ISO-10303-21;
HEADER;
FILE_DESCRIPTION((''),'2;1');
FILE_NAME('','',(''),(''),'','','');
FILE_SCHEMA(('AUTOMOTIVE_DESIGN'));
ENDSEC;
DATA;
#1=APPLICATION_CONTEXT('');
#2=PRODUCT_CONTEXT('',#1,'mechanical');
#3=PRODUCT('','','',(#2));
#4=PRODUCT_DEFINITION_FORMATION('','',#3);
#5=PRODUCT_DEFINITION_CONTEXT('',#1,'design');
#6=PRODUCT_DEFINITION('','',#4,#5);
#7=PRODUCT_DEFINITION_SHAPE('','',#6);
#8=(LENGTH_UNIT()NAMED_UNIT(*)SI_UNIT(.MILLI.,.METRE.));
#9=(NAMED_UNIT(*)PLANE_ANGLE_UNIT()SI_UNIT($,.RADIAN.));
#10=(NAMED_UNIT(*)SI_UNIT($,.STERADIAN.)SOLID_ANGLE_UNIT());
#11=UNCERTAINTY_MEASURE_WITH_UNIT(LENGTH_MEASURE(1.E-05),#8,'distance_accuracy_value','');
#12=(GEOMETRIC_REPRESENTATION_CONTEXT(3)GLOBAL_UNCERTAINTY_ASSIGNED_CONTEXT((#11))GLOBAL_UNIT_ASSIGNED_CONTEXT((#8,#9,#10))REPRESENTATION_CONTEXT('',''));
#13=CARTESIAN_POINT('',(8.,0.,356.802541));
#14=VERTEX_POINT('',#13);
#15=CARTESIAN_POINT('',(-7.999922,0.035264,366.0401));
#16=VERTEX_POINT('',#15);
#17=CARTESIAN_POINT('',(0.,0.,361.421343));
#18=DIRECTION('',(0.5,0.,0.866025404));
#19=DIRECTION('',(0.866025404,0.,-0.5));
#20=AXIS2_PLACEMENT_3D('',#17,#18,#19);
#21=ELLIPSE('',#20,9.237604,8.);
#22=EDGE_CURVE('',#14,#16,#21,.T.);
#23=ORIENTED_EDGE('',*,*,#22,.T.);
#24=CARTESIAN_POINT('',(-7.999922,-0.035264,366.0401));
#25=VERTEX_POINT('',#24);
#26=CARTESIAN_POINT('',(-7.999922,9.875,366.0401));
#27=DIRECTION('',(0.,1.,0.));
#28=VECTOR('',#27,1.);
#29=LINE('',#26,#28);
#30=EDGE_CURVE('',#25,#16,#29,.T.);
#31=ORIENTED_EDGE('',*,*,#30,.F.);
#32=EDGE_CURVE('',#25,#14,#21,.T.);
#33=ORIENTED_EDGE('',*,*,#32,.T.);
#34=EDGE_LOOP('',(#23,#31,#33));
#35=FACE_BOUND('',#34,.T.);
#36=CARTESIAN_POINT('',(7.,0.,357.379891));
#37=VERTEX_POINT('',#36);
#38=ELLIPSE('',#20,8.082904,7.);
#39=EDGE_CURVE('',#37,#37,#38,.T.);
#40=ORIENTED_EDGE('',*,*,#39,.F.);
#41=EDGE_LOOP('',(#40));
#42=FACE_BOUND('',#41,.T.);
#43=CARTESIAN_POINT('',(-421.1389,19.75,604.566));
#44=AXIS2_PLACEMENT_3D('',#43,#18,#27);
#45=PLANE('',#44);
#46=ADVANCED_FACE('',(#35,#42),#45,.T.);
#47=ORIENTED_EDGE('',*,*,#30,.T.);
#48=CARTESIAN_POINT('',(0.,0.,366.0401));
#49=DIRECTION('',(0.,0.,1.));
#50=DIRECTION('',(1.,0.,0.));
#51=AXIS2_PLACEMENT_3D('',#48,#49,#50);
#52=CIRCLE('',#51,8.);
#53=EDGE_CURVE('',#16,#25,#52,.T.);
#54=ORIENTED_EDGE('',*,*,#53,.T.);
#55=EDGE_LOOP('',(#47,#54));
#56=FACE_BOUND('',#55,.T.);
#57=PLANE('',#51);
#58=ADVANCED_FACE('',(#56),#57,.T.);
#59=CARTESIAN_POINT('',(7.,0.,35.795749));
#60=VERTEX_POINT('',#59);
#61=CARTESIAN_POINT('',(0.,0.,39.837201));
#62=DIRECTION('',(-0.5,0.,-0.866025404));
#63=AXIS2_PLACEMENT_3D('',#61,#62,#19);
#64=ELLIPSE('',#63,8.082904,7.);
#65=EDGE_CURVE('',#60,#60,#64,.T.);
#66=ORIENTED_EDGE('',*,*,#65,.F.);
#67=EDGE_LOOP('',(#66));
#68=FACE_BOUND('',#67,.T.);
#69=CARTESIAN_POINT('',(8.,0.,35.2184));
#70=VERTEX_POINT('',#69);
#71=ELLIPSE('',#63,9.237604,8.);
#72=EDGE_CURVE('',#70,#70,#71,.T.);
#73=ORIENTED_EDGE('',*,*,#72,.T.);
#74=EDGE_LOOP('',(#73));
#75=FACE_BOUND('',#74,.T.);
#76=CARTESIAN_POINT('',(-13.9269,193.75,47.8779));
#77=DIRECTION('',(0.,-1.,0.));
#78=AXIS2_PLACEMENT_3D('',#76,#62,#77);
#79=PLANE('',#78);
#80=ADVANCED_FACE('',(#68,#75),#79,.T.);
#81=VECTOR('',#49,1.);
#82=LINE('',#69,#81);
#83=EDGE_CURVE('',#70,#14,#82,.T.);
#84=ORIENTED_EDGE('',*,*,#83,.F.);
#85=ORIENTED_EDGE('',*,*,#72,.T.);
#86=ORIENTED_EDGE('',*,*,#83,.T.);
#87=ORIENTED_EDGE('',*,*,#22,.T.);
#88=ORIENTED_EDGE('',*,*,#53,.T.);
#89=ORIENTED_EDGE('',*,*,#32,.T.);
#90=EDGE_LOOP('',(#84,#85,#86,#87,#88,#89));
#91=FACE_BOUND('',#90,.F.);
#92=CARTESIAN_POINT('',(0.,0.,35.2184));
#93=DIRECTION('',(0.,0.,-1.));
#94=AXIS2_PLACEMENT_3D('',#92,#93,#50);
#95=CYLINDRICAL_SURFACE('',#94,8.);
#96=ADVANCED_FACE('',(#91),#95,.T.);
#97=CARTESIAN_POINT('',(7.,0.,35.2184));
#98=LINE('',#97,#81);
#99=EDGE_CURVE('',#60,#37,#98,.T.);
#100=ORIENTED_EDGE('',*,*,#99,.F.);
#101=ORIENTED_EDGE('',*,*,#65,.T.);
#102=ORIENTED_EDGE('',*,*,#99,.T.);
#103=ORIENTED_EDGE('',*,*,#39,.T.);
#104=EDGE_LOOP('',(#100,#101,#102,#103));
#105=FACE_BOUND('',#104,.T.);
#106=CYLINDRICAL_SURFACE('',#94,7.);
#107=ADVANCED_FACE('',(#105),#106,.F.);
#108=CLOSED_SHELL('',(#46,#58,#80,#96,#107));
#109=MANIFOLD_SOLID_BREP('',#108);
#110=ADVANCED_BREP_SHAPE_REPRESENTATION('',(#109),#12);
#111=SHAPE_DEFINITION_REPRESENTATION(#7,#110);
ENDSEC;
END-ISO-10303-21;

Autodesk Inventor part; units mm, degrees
ref_plane "Начальная плоскость" through (0, 0, 35.2184) normal (0, 0, 1) x (1, 0, 0)
ref_plane "Конечная плоскость" through (0, 0, 366.0401) normal (0, 0, 1) x (1, 0, 0)
sketch "Эскиз" plane through (0, 0, 0) normal (0, 0, 1) x (1, 0, 0)
  circle A0 centre (0, 0) radius 7
  circle A1 centre (0, 0) radius 8
  dimension "d0" = 16
  dimension "d1" = 1
extrude "Тело" add sketch "Эскиз" along normal up to surface (330.8217 mm away) from surface at 35.2184
sketch "Sketch3" plane through (0, 0, 0) normal (0, 0, 1) x (1, 0, 0)
  line L0 (0, 0) -> (10, 0)
ref_plane "Work Plane3" through (0, 0, 0) normal (0, -1, 0) x (1, 0, 0)
sketch "Sketch4" plane through (0, 0, 0) normal (0, -1, 0) x (1, 0, 0)
  line L0 (-2, 35.2184) -> (12, 35.2184)
  line L1 (-2, 366.0401) -> (12, 366.0401)
  dimension "d7" = 330.8217
ref_plane "РабПлоскость4" through (-421.1389, 19.75, 604.566) normal (0.5, 0, 0.866) x (0.866, 0, -0.5)
split "Разделение1" plane through (-421.1389, 19.75, 604.566) removes the side toward (0.5, 0, 0.866)
ref_plane "РабПлоскость5" through (-13.9269, 193.75, 47.8779) normal (-0.5, 0, -0.866) x (-0.866, 0, 0.5)
split "Разделение2" plane through (-13.9269, 193.75, 47.8779) removes the side toward (-0.5, 0, -0.866)
equation "\"d0\" = G_H"
equation "\"d1\" = G_T"
equation "\"d2\" = G_L"
equation "\"G_H\" = 16"
equation "\"G_T\" = 1"
equation "\"G_L\" = d7"
equation "\"G_OFFSET_START\" = -35.21837"
equation "\"G_OFFSET_END\" = -72.74613"
equation "\"d4\" = -G_OFFSET_START"
equation "\"d5\" = G_OFFSET_END + B_L"
equation "\"B_L\" = 438.7862"
properties part number "Труба 16x1-330,82 ГОСТ 10704-91" material "Сталь, мягкая"
